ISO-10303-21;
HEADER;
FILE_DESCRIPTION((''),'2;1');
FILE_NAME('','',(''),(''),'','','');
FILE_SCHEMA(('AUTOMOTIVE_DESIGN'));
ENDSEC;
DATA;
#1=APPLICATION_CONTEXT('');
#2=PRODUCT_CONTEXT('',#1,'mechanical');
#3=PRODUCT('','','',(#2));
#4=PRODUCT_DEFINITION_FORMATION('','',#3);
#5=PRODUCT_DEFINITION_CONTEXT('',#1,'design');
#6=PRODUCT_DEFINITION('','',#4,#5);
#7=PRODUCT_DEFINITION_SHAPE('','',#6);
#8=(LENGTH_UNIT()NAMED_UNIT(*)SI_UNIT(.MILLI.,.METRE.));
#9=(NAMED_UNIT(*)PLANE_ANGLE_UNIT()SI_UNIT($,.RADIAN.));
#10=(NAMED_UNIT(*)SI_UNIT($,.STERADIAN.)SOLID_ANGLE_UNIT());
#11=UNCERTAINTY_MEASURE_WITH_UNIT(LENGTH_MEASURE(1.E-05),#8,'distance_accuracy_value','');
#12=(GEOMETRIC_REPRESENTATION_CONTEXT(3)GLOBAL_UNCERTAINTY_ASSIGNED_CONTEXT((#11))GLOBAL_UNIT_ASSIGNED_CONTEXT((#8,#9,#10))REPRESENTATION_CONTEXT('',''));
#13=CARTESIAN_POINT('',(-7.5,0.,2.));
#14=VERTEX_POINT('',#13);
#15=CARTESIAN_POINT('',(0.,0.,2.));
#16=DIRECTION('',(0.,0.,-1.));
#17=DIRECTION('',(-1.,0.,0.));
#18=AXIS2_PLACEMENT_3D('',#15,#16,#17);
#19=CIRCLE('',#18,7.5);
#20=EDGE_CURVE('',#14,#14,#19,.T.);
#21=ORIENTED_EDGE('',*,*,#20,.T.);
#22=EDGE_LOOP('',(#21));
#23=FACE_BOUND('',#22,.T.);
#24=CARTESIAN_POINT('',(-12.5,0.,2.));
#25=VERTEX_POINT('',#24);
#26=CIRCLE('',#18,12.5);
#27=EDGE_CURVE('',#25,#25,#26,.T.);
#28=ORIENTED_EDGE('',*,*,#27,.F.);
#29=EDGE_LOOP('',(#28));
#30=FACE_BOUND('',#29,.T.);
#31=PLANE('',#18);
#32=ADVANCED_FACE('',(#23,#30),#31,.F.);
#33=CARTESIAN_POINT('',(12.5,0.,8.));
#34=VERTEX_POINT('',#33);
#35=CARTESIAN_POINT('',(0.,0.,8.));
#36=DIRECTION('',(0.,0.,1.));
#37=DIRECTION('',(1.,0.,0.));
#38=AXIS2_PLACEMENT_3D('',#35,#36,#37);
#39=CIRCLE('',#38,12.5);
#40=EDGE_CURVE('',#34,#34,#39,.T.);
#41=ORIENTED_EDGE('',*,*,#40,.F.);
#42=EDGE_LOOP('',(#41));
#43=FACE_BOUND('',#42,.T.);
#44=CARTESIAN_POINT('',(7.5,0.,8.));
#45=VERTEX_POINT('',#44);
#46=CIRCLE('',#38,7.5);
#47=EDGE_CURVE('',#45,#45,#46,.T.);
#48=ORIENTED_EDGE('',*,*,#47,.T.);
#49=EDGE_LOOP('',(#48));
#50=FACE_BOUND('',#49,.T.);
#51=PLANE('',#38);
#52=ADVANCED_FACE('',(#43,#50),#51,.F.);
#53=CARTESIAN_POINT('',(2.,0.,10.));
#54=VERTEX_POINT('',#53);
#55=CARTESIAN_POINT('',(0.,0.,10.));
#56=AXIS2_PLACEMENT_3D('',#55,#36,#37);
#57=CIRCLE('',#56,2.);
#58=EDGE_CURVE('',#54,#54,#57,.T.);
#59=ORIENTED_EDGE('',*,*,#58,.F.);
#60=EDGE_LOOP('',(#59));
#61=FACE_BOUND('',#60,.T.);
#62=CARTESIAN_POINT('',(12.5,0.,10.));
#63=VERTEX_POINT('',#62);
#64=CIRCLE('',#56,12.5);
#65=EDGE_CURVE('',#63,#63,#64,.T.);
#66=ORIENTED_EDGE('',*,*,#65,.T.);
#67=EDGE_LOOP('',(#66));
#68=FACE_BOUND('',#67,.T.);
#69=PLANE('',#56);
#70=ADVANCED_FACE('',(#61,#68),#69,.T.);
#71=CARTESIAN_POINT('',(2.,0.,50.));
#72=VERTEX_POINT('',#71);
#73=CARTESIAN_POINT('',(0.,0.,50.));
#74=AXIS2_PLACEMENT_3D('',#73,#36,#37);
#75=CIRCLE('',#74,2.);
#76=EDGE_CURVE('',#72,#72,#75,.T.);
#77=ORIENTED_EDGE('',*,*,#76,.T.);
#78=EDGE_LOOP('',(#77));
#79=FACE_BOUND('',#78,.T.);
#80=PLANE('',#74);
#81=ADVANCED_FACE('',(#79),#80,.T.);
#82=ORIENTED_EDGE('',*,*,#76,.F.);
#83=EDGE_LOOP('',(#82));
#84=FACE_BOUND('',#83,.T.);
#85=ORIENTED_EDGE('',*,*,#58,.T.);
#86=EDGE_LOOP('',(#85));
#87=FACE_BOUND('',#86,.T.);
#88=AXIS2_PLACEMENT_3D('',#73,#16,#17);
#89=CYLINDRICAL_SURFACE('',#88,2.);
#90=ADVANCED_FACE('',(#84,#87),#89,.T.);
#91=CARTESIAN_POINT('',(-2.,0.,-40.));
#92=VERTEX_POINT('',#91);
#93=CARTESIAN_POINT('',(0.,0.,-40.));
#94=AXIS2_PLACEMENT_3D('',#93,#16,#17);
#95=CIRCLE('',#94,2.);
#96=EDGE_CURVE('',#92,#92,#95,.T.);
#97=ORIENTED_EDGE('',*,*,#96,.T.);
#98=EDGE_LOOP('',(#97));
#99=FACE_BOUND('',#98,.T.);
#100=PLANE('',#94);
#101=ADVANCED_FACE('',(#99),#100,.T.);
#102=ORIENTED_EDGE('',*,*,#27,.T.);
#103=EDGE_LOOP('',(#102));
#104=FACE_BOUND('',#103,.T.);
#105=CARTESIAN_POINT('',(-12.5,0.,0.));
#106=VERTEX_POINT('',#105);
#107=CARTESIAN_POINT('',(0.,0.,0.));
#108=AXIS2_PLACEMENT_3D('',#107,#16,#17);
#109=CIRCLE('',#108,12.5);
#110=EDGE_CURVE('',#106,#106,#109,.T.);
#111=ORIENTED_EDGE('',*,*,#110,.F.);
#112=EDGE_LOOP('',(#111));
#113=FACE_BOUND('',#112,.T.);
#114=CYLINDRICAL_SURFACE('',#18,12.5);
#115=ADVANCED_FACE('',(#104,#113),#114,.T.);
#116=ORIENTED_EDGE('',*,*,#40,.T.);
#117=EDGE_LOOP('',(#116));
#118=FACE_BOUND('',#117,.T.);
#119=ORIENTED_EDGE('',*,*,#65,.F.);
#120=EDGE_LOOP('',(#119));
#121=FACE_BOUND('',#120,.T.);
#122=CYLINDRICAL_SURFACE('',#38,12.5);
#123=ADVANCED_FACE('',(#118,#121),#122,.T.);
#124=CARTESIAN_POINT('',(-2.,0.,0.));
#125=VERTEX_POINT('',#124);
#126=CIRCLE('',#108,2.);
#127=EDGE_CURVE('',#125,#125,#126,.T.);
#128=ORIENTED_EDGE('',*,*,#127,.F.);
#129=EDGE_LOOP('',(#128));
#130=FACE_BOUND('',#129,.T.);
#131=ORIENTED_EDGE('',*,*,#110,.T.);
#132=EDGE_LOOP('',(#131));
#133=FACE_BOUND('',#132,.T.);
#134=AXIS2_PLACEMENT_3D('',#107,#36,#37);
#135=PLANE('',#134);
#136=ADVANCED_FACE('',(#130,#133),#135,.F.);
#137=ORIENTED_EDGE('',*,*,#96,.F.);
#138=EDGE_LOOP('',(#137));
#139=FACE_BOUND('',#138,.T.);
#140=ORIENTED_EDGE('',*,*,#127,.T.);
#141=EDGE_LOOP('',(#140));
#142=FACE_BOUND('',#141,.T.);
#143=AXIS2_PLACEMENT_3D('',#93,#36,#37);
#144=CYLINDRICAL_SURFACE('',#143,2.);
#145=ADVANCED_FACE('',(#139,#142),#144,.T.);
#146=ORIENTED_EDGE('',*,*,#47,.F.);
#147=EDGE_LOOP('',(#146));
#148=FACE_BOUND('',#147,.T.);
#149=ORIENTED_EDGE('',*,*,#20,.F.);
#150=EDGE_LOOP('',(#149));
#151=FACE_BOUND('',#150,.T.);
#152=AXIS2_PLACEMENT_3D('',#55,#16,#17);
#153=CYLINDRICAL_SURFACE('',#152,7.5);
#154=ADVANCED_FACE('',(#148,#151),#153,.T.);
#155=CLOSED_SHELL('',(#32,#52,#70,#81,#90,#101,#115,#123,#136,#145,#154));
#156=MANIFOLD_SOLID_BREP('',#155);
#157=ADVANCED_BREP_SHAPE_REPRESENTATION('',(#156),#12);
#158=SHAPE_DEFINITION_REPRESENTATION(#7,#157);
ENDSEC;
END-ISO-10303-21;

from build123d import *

# Parameters (mm, degrees)
SKETCH1_R           = 7.5
BOSS_EXTRUDE1_DEPTH = 10
SKETCH2_R           = 12.5
BOSS_EXTRUDE2_DEPTH = 2
BOSS_EXTRUDE3_START = -2
SKETCH3_R           = 12.5
BOSS_EXTRUDE3_DEPTH = 2
SKETCH4_R           = 2
BOSS_EXTRUDE4_DEPTH = 40
BOSS_EXTRUDE5_START = 40
SKETCH5_R           = 2
BOSS_EXTRUDE5_DEPTH = 40


with BuildPart() as part:
    # Sketch1 → Boss-Extrude1 (new body)
    with BuildSketch(Plane.XY):
        Circle(SKETCH1_R)
    extrude(amount=BOSS_EXTRUDE1_DEPTH)

    # Sketch2 → Boss-Extrude2 (add)
    with BuildSketch(Plane(origin=(0, 0, 0), x_dir=(-1, 0, 0), z_dir=(0, 0, -1))):
        Circle(SKETCH2_R)
    extrude(amount=-BOSS_EXTRUDE2_DEPTH)

    # Sketch3 → Boss-Extrude3 (add)
    with BuildSketch(Plane.XY.offset(10).offset(BOSS_EXTRUDE3_START)):
        with Locations(Location((0, 0, 0), (0, 0, 180))):
            Circle(SKETCH3_R)
    extrude(amount=BOSS_EXTRUDE3_DEPTH)

    # Sketch4 → Boss-Extrude4 (add)
    with BuildSketch(Plane.XY.offset(10)):
        Circle(SKETCH4_R)
    extrude(amount=BOSS_EXTRUDE4_DEPTH)

    # Sketch5 → Boss-Extrude5 (add)
    with BuildSketch(Plane(origin=(0, 0, 0), x_dir=(-1, 0, 0), z_dir=(0, 0, -1)).offset(BOSS_EXTRUDE5_START)):
        with Locations(Location((0, 0, 0), (0, 0, 180))):
            Circle(SKETCH5_R)
    extrude(amount=-BOSS_EXTRUDE5_DEPTH)


solid = part.part
